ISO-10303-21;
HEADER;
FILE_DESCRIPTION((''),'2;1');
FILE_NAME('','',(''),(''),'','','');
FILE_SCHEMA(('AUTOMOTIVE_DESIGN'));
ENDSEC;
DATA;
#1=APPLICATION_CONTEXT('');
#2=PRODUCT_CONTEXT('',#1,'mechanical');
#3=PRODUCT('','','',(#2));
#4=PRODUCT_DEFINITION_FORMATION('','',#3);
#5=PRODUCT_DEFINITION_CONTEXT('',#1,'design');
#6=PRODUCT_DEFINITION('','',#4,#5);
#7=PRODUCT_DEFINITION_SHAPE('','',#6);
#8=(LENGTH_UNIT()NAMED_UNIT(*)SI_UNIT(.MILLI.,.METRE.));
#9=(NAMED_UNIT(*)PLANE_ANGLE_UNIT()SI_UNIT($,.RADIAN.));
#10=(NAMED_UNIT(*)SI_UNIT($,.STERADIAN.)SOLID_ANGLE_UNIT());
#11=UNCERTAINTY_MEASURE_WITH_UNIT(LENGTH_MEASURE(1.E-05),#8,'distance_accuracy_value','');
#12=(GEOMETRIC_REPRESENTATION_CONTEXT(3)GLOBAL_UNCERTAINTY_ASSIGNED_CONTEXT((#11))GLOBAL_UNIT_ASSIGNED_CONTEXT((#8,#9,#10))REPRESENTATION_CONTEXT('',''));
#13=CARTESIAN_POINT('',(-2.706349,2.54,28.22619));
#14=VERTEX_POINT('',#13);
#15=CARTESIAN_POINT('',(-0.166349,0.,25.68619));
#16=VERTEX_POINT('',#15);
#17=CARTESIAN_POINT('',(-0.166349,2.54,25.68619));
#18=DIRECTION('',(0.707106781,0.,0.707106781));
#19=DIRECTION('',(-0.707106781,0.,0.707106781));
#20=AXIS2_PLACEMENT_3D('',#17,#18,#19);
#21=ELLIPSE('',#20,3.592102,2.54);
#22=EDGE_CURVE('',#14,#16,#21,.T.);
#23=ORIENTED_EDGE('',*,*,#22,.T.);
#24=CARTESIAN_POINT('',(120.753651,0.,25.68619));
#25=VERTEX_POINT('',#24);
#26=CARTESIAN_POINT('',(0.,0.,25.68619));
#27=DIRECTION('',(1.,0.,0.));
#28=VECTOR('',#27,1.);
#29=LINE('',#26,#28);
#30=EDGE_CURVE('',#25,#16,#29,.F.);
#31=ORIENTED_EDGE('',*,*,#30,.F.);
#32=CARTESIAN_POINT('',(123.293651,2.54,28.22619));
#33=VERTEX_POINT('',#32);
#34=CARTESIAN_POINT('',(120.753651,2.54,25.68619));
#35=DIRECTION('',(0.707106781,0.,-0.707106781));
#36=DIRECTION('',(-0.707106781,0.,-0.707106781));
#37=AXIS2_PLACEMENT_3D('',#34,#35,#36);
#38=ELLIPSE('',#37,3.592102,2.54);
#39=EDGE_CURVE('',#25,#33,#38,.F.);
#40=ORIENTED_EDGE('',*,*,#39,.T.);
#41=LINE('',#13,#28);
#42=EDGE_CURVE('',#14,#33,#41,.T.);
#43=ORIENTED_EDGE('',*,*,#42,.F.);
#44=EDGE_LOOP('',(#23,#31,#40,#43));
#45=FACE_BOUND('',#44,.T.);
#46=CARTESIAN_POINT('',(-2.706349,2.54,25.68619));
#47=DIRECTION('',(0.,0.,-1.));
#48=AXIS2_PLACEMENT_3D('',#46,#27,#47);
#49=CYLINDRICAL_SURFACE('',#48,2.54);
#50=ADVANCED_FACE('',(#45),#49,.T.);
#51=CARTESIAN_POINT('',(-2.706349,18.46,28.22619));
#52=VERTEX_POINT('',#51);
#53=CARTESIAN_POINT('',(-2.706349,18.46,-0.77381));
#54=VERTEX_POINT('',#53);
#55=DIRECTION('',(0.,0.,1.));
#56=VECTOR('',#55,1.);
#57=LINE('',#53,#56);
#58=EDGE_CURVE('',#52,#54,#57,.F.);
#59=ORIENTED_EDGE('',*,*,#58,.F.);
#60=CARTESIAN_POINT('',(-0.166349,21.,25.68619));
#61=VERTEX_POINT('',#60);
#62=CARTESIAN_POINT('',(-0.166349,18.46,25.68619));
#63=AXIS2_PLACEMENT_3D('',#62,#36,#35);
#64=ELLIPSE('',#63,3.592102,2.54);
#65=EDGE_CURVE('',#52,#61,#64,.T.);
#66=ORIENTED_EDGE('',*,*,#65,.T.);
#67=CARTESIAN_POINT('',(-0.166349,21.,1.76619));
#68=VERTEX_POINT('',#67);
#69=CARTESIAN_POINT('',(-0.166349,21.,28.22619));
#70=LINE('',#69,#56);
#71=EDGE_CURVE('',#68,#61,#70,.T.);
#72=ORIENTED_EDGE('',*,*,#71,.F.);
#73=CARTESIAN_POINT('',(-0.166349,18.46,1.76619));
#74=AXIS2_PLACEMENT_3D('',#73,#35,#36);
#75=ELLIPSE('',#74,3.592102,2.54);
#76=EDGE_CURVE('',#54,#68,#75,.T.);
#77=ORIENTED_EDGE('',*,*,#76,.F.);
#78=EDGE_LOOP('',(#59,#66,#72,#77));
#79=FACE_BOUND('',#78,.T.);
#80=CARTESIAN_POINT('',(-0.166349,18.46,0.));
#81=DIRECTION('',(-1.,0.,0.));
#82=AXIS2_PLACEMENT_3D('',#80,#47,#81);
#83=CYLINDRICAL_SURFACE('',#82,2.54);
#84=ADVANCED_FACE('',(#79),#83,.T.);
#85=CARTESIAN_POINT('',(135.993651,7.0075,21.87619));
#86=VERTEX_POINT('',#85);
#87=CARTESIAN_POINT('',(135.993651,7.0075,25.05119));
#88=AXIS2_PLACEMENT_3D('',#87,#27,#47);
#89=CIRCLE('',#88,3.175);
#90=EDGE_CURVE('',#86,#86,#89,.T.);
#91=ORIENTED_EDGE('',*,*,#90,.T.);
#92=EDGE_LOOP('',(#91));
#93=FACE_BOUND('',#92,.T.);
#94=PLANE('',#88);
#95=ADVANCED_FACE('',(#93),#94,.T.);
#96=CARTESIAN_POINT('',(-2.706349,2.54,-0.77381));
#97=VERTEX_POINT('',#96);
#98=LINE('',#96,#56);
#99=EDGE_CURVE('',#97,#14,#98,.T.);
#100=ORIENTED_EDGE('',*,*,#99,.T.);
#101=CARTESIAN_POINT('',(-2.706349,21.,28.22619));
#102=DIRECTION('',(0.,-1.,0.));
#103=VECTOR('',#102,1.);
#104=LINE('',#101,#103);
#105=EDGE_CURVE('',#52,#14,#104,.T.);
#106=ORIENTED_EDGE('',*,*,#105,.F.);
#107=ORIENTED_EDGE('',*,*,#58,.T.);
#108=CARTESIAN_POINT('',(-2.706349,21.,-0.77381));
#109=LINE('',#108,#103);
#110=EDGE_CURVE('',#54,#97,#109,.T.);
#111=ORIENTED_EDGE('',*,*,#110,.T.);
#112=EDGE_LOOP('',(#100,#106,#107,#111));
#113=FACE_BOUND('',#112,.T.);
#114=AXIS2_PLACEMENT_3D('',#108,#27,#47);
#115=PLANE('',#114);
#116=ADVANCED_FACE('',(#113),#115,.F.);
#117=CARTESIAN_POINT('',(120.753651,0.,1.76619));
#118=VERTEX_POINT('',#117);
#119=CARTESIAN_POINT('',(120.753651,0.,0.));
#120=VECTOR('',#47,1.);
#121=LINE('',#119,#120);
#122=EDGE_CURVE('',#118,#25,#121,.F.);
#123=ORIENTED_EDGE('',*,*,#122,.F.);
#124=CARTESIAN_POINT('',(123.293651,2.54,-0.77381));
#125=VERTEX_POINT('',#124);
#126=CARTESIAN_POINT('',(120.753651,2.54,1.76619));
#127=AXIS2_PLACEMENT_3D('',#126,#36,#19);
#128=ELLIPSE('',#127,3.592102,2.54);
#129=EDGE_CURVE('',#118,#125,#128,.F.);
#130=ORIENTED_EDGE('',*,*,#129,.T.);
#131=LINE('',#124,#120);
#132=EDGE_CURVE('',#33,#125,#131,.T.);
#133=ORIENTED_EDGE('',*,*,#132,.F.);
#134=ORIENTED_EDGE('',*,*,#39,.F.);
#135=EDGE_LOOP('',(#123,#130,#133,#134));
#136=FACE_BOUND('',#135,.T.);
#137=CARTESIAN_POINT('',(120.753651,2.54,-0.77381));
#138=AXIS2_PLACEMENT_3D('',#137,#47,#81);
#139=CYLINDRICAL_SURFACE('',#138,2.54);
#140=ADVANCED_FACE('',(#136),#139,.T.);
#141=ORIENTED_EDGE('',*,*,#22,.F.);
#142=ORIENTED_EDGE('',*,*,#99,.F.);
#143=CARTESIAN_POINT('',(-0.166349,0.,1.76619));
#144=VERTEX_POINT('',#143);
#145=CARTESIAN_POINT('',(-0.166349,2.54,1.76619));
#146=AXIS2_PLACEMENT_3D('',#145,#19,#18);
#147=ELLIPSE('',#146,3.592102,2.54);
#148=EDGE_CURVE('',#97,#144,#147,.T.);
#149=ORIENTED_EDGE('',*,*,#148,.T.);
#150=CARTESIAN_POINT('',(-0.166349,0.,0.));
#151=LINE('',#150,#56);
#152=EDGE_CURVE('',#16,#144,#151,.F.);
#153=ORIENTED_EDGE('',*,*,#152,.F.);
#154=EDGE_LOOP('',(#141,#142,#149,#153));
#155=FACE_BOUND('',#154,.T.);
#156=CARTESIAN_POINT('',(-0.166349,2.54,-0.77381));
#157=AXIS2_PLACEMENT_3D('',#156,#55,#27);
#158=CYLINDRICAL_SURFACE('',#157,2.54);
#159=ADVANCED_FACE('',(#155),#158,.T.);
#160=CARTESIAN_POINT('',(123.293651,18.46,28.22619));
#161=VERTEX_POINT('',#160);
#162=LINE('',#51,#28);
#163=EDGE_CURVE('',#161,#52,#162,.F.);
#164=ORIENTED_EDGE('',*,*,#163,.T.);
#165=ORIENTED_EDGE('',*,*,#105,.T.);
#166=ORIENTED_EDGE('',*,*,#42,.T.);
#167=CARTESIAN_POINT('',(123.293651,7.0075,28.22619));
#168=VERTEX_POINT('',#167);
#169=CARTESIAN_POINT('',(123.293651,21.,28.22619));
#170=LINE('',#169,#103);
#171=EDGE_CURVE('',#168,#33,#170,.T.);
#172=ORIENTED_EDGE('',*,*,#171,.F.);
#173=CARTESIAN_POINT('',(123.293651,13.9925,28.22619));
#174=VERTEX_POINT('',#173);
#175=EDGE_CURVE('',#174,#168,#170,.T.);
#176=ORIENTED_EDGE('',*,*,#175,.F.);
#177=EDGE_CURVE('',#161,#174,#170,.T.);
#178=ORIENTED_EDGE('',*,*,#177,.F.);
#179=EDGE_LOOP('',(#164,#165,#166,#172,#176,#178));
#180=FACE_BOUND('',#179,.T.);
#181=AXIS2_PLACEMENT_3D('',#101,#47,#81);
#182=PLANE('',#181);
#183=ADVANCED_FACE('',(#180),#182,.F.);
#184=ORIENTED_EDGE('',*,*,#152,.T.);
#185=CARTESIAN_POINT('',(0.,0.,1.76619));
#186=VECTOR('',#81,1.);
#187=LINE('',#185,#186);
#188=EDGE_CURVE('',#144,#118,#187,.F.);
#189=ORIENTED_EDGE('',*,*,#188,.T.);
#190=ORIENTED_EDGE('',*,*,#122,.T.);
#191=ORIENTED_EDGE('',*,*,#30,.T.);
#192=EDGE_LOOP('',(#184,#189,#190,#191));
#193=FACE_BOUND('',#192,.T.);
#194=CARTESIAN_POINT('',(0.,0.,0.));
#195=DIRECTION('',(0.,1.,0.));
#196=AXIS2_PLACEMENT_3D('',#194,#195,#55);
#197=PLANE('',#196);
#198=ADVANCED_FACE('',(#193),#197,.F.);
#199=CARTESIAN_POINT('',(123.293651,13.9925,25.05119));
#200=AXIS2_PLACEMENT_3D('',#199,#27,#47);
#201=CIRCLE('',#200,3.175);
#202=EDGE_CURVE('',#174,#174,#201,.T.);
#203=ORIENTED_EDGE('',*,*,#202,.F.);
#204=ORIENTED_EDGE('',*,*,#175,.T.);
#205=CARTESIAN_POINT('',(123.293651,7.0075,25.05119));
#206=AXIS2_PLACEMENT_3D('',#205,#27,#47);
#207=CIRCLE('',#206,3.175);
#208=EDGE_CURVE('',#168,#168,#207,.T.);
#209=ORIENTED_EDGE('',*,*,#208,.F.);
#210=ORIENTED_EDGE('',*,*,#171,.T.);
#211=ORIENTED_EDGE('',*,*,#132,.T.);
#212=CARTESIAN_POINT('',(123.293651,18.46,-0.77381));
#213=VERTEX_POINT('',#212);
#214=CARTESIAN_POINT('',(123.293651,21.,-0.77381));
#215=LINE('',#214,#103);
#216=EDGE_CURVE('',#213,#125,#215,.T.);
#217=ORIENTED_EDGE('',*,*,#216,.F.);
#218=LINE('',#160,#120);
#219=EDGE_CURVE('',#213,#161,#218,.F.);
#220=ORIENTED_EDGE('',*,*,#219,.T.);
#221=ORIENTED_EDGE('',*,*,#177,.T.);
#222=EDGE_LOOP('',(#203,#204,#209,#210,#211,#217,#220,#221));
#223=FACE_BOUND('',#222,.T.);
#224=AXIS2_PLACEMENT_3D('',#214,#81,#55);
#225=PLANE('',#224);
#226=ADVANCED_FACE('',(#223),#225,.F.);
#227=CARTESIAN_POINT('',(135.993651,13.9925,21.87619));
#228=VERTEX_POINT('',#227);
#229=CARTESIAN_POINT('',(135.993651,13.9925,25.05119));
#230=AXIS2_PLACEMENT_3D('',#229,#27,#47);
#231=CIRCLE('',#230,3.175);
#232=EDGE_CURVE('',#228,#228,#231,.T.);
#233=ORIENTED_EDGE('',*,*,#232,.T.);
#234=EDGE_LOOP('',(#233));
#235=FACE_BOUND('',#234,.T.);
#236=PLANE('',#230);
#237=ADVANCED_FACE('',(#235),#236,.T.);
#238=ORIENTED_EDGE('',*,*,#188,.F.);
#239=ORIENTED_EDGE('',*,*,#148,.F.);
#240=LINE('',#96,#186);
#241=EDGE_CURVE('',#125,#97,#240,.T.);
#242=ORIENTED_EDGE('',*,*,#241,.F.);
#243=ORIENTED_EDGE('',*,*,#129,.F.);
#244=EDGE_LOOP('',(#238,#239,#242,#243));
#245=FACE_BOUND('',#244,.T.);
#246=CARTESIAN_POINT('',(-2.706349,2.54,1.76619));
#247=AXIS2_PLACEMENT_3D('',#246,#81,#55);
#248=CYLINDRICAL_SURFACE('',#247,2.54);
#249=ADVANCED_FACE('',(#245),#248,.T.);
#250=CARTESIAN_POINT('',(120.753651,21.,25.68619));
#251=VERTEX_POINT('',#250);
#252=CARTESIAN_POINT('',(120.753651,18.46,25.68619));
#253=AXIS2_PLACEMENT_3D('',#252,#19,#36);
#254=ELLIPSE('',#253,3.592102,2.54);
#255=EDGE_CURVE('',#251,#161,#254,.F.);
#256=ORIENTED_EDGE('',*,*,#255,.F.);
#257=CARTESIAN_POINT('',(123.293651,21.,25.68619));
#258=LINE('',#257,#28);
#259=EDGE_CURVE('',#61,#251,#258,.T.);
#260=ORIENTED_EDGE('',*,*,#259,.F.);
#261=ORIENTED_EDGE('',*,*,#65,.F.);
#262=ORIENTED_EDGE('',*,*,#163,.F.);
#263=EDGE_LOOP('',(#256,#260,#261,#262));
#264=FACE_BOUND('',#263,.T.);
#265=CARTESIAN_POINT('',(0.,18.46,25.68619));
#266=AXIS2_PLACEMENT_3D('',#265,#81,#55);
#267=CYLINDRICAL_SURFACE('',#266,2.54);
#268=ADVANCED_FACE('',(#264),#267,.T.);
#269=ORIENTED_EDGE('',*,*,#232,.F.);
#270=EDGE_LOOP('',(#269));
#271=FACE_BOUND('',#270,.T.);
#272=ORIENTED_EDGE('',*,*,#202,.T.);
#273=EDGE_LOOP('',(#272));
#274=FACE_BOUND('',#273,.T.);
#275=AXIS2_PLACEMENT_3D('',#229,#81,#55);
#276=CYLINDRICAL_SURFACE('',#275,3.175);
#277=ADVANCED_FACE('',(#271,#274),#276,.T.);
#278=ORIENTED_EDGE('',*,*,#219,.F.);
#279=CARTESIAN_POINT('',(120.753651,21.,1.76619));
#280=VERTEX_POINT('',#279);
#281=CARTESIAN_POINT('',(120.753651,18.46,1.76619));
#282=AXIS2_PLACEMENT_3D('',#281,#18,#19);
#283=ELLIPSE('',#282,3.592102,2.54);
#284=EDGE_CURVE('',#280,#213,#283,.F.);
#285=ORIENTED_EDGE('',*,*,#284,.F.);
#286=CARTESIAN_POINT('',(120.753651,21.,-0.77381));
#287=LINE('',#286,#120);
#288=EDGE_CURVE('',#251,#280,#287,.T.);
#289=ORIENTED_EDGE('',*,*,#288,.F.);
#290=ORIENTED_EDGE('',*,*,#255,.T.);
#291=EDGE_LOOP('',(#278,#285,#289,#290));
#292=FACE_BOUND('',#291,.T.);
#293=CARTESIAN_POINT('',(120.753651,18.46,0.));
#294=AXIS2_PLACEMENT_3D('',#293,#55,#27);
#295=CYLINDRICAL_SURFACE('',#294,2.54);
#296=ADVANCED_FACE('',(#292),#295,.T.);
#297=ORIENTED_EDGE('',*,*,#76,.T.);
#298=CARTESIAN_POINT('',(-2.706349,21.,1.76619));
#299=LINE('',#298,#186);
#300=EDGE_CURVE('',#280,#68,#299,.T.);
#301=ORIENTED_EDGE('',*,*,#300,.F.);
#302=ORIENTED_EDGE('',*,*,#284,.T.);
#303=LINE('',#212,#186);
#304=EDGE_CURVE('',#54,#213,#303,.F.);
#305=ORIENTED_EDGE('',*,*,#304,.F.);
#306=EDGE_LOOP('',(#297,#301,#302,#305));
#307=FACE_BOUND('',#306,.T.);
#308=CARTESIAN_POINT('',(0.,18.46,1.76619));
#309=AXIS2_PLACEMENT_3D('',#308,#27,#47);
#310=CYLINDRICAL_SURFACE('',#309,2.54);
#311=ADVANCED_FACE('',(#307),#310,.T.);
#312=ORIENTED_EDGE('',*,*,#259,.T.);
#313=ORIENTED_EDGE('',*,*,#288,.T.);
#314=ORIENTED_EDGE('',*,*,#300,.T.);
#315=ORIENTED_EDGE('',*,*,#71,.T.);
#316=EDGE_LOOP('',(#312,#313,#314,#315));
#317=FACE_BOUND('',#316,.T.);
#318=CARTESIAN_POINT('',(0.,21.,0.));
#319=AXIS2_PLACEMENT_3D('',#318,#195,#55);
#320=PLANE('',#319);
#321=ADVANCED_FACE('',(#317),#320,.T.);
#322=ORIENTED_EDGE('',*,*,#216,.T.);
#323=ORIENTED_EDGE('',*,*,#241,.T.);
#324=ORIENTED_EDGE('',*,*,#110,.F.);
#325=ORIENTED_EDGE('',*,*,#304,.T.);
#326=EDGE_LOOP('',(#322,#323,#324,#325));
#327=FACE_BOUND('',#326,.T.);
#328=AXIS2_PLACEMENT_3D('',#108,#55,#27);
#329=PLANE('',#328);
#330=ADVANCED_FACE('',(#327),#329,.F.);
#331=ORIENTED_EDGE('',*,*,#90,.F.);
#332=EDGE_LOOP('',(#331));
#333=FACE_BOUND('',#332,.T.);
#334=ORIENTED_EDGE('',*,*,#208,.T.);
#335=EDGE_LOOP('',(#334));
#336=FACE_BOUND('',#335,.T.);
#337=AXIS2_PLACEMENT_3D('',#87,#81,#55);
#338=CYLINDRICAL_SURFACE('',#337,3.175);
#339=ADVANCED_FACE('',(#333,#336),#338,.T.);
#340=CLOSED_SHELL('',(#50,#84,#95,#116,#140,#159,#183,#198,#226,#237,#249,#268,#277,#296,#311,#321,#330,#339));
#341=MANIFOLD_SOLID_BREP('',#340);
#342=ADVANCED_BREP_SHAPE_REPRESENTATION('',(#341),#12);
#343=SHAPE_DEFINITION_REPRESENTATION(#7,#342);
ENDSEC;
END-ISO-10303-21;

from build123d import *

# Parameters (mm, degrees)
SKETCH1_W           = 126
SKETCH1_H           = 29
BOSS_EXTRUDE1_DEPTH = 21
SKETCH2_R           = 3.175
BOSS_EXTRUDE2_DEPTH = 12.7
FILLET1_R           = 2.54


with BuildPart() as part:
    # Sketch1 → Boss-Extrude1 (new body)
    with BuildSketch(Plane(origin=(0, 0, 0), x_dir=(1, 0, 0), z_dir=(0, 1, 0))):
        with Locations((60.293650794, -13.726190476)):
            Rectangle(SKETCH1_W, SKETCH1_H)
    extrude(amount=BOSS_EXTRUDE1_DEPTH)

    # Sketch2 → Boss-Extrude2 (add)
    with BuildSketch(Plane(origin=(123.293650794, 0, 0), x_dir=(0, 0, -1), z_dir=(1, 0, 0))):
        with Locations(Location((-25.051190476, 13.9925, 0), (0, 0, 180))):
            Circle(SKETCH2_R)
        with Locations(Location((-25.051190476, 7.0075, 0), (0, 0, 180))):
            Circle(SKETCH2_R)
    extrude(amount=BOSS_EXTRUDE2_DEPTH)

    # Fillet1
    fillet1_edges = [part.edges().sort_by_distance(p)[0] for p in [
        (123.293650794, 21, 13.726190476),
        (60.293650794, 21, -0.773809524),
        (-2.706349206, 21, 13.726190476),
        (60.293650794, 0, -0.773809524),
        (123.293650794, 0, 13.726190476),
        (60.293650794, 0, 28.226190476),
        (-2.706349206, 0, 13.726190476),
        (60.293650794, 21, 28.226190476),
    ]]
    fillet(fillet1_edges, radius=FILLET1_R)


solid = part.part
